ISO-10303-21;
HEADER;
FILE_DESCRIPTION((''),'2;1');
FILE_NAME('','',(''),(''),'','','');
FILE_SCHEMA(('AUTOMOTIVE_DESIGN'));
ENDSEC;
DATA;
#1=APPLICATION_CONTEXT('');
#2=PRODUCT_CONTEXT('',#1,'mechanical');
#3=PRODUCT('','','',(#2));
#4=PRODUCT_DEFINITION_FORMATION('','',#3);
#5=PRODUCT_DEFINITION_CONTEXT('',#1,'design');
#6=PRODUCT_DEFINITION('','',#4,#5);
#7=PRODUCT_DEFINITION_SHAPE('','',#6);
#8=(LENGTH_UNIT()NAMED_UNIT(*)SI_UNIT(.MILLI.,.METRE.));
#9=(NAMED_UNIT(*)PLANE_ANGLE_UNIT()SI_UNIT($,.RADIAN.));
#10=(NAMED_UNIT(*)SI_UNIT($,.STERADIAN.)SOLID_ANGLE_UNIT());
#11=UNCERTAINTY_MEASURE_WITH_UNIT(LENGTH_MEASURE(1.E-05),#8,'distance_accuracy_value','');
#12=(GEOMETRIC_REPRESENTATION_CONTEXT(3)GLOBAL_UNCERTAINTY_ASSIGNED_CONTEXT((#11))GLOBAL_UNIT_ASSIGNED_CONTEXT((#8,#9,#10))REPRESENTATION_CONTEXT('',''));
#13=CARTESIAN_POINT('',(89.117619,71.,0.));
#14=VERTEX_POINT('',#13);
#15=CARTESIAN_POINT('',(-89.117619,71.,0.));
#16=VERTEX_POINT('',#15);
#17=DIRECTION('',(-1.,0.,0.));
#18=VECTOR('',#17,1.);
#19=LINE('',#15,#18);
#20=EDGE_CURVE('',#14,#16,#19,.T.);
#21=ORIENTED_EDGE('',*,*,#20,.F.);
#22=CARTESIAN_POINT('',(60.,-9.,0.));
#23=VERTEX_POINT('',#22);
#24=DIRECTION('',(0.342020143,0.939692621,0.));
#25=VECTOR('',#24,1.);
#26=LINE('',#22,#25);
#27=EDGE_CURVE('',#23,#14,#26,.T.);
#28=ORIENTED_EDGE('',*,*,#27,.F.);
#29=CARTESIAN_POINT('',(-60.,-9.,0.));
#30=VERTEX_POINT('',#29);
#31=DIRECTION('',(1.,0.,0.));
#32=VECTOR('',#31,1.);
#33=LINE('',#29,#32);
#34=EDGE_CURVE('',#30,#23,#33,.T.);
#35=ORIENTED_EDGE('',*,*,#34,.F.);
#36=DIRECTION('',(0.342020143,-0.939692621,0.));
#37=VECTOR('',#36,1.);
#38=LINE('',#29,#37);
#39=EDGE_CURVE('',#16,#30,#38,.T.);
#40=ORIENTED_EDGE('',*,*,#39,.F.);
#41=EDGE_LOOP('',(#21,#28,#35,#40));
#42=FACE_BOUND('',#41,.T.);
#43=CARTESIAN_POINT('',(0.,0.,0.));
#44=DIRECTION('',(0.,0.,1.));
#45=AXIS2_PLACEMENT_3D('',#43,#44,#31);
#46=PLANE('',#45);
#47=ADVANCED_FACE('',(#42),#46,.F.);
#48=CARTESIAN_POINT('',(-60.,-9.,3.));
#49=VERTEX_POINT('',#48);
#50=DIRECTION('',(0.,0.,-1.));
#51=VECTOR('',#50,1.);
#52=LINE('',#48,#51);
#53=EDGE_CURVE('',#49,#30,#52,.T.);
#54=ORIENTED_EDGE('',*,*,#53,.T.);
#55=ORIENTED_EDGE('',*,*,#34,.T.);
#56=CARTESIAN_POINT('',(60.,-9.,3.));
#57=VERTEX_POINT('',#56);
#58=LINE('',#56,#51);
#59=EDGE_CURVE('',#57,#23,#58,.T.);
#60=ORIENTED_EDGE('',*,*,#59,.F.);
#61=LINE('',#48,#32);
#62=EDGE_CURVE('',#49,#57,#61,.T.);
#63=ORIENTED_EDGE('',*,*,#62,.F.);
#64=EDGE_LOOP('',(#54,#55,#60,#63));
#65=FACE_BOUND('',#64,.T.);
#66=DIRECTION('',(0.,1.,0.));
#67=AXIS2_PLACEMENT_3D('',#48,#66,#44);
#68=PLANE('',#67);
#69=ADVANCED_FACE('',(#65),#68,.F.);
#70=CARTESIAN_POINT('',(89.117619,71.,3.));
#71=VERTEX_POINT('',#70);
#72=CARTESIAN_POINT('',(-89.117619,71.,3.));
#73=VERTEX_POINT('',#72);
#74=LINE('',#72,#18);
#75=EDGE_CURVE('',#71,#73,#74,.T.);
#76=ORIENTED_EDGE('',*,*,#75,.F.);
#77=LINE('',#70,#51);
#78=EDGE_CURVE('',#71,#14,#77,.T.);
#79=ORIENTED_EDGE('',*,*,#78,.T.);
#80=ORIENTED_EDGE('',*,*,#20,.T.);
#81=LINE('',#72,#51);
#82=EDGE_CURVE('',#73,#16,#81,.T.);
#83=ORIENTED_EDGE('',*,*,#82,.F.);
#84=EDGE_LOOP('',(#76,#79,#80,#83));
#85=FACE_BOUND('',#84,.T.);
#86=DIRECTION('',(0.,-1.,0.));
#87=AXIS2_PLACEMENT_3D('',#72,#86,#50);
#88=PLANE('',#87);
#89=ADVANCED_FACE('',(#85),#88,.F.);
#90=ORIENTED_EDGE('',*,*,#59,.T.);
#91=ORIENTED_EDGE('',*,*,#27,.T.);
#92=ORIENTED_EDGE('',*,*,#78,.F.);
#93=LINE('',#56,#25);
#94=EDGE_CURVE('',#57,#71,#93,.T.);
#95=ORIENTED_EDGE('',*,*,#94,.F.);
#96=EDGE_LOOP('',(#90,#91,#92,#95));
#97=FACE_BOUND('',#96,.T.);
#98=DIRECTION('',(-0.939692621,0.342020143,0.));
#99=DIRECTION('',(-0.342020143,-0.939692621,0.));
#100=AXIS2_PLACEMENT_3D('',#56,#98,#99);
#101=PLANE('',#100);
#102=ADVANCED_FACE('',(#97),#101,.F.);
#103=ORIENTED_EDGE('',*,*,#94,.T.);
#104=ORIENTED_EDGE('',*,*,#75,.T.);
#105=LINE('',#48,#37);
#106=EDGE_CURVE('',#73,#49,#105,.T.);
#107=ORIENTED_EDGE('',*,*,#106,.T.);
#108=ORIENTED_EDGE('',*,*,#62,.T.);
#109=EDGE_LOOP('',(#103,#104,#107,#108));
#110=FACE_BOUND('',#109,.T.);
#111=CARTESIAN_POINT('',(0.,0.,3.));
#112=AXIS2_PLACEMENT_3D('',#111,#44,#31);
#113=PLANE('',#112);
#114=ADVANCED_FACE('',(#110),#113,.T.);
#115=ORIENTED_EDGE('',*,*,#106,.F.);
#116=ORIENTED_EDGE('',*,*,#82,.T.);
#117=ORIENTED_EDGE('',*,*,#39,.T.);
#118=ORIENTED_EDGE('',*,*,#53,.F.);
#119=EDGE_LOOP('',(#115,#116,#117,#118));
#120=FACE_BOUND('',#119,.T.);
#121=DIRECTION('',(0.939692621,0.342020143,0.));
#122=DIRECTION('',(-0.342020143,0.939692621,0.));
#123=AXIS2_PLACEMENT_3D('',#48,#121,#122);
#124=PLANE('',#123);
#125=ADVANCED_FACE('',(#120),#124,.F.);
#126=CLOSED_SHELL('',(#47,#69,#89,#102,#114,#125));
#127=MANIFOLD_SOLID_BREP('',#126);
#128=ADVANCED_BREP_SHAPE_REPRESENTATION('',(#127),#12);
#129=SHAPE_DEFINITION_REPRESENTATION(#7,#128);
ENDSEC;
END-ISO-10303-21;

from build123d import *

# Parameters (mm, degrees)
BOSS_EXTRU_1_DEPTH = 3


with BuildPart() as part:
    # Esquisse1 → Boss.-Extru.1 (new body)
    with BuildSketch(Plane.XY):
        Polygon((-60, -9), (-89.117618741, 71), (89.117618741, 71), (60, -9), align=None)
    extrude(amount=BOSS_EXTRU_1_DEPTH)


solid = part.part
